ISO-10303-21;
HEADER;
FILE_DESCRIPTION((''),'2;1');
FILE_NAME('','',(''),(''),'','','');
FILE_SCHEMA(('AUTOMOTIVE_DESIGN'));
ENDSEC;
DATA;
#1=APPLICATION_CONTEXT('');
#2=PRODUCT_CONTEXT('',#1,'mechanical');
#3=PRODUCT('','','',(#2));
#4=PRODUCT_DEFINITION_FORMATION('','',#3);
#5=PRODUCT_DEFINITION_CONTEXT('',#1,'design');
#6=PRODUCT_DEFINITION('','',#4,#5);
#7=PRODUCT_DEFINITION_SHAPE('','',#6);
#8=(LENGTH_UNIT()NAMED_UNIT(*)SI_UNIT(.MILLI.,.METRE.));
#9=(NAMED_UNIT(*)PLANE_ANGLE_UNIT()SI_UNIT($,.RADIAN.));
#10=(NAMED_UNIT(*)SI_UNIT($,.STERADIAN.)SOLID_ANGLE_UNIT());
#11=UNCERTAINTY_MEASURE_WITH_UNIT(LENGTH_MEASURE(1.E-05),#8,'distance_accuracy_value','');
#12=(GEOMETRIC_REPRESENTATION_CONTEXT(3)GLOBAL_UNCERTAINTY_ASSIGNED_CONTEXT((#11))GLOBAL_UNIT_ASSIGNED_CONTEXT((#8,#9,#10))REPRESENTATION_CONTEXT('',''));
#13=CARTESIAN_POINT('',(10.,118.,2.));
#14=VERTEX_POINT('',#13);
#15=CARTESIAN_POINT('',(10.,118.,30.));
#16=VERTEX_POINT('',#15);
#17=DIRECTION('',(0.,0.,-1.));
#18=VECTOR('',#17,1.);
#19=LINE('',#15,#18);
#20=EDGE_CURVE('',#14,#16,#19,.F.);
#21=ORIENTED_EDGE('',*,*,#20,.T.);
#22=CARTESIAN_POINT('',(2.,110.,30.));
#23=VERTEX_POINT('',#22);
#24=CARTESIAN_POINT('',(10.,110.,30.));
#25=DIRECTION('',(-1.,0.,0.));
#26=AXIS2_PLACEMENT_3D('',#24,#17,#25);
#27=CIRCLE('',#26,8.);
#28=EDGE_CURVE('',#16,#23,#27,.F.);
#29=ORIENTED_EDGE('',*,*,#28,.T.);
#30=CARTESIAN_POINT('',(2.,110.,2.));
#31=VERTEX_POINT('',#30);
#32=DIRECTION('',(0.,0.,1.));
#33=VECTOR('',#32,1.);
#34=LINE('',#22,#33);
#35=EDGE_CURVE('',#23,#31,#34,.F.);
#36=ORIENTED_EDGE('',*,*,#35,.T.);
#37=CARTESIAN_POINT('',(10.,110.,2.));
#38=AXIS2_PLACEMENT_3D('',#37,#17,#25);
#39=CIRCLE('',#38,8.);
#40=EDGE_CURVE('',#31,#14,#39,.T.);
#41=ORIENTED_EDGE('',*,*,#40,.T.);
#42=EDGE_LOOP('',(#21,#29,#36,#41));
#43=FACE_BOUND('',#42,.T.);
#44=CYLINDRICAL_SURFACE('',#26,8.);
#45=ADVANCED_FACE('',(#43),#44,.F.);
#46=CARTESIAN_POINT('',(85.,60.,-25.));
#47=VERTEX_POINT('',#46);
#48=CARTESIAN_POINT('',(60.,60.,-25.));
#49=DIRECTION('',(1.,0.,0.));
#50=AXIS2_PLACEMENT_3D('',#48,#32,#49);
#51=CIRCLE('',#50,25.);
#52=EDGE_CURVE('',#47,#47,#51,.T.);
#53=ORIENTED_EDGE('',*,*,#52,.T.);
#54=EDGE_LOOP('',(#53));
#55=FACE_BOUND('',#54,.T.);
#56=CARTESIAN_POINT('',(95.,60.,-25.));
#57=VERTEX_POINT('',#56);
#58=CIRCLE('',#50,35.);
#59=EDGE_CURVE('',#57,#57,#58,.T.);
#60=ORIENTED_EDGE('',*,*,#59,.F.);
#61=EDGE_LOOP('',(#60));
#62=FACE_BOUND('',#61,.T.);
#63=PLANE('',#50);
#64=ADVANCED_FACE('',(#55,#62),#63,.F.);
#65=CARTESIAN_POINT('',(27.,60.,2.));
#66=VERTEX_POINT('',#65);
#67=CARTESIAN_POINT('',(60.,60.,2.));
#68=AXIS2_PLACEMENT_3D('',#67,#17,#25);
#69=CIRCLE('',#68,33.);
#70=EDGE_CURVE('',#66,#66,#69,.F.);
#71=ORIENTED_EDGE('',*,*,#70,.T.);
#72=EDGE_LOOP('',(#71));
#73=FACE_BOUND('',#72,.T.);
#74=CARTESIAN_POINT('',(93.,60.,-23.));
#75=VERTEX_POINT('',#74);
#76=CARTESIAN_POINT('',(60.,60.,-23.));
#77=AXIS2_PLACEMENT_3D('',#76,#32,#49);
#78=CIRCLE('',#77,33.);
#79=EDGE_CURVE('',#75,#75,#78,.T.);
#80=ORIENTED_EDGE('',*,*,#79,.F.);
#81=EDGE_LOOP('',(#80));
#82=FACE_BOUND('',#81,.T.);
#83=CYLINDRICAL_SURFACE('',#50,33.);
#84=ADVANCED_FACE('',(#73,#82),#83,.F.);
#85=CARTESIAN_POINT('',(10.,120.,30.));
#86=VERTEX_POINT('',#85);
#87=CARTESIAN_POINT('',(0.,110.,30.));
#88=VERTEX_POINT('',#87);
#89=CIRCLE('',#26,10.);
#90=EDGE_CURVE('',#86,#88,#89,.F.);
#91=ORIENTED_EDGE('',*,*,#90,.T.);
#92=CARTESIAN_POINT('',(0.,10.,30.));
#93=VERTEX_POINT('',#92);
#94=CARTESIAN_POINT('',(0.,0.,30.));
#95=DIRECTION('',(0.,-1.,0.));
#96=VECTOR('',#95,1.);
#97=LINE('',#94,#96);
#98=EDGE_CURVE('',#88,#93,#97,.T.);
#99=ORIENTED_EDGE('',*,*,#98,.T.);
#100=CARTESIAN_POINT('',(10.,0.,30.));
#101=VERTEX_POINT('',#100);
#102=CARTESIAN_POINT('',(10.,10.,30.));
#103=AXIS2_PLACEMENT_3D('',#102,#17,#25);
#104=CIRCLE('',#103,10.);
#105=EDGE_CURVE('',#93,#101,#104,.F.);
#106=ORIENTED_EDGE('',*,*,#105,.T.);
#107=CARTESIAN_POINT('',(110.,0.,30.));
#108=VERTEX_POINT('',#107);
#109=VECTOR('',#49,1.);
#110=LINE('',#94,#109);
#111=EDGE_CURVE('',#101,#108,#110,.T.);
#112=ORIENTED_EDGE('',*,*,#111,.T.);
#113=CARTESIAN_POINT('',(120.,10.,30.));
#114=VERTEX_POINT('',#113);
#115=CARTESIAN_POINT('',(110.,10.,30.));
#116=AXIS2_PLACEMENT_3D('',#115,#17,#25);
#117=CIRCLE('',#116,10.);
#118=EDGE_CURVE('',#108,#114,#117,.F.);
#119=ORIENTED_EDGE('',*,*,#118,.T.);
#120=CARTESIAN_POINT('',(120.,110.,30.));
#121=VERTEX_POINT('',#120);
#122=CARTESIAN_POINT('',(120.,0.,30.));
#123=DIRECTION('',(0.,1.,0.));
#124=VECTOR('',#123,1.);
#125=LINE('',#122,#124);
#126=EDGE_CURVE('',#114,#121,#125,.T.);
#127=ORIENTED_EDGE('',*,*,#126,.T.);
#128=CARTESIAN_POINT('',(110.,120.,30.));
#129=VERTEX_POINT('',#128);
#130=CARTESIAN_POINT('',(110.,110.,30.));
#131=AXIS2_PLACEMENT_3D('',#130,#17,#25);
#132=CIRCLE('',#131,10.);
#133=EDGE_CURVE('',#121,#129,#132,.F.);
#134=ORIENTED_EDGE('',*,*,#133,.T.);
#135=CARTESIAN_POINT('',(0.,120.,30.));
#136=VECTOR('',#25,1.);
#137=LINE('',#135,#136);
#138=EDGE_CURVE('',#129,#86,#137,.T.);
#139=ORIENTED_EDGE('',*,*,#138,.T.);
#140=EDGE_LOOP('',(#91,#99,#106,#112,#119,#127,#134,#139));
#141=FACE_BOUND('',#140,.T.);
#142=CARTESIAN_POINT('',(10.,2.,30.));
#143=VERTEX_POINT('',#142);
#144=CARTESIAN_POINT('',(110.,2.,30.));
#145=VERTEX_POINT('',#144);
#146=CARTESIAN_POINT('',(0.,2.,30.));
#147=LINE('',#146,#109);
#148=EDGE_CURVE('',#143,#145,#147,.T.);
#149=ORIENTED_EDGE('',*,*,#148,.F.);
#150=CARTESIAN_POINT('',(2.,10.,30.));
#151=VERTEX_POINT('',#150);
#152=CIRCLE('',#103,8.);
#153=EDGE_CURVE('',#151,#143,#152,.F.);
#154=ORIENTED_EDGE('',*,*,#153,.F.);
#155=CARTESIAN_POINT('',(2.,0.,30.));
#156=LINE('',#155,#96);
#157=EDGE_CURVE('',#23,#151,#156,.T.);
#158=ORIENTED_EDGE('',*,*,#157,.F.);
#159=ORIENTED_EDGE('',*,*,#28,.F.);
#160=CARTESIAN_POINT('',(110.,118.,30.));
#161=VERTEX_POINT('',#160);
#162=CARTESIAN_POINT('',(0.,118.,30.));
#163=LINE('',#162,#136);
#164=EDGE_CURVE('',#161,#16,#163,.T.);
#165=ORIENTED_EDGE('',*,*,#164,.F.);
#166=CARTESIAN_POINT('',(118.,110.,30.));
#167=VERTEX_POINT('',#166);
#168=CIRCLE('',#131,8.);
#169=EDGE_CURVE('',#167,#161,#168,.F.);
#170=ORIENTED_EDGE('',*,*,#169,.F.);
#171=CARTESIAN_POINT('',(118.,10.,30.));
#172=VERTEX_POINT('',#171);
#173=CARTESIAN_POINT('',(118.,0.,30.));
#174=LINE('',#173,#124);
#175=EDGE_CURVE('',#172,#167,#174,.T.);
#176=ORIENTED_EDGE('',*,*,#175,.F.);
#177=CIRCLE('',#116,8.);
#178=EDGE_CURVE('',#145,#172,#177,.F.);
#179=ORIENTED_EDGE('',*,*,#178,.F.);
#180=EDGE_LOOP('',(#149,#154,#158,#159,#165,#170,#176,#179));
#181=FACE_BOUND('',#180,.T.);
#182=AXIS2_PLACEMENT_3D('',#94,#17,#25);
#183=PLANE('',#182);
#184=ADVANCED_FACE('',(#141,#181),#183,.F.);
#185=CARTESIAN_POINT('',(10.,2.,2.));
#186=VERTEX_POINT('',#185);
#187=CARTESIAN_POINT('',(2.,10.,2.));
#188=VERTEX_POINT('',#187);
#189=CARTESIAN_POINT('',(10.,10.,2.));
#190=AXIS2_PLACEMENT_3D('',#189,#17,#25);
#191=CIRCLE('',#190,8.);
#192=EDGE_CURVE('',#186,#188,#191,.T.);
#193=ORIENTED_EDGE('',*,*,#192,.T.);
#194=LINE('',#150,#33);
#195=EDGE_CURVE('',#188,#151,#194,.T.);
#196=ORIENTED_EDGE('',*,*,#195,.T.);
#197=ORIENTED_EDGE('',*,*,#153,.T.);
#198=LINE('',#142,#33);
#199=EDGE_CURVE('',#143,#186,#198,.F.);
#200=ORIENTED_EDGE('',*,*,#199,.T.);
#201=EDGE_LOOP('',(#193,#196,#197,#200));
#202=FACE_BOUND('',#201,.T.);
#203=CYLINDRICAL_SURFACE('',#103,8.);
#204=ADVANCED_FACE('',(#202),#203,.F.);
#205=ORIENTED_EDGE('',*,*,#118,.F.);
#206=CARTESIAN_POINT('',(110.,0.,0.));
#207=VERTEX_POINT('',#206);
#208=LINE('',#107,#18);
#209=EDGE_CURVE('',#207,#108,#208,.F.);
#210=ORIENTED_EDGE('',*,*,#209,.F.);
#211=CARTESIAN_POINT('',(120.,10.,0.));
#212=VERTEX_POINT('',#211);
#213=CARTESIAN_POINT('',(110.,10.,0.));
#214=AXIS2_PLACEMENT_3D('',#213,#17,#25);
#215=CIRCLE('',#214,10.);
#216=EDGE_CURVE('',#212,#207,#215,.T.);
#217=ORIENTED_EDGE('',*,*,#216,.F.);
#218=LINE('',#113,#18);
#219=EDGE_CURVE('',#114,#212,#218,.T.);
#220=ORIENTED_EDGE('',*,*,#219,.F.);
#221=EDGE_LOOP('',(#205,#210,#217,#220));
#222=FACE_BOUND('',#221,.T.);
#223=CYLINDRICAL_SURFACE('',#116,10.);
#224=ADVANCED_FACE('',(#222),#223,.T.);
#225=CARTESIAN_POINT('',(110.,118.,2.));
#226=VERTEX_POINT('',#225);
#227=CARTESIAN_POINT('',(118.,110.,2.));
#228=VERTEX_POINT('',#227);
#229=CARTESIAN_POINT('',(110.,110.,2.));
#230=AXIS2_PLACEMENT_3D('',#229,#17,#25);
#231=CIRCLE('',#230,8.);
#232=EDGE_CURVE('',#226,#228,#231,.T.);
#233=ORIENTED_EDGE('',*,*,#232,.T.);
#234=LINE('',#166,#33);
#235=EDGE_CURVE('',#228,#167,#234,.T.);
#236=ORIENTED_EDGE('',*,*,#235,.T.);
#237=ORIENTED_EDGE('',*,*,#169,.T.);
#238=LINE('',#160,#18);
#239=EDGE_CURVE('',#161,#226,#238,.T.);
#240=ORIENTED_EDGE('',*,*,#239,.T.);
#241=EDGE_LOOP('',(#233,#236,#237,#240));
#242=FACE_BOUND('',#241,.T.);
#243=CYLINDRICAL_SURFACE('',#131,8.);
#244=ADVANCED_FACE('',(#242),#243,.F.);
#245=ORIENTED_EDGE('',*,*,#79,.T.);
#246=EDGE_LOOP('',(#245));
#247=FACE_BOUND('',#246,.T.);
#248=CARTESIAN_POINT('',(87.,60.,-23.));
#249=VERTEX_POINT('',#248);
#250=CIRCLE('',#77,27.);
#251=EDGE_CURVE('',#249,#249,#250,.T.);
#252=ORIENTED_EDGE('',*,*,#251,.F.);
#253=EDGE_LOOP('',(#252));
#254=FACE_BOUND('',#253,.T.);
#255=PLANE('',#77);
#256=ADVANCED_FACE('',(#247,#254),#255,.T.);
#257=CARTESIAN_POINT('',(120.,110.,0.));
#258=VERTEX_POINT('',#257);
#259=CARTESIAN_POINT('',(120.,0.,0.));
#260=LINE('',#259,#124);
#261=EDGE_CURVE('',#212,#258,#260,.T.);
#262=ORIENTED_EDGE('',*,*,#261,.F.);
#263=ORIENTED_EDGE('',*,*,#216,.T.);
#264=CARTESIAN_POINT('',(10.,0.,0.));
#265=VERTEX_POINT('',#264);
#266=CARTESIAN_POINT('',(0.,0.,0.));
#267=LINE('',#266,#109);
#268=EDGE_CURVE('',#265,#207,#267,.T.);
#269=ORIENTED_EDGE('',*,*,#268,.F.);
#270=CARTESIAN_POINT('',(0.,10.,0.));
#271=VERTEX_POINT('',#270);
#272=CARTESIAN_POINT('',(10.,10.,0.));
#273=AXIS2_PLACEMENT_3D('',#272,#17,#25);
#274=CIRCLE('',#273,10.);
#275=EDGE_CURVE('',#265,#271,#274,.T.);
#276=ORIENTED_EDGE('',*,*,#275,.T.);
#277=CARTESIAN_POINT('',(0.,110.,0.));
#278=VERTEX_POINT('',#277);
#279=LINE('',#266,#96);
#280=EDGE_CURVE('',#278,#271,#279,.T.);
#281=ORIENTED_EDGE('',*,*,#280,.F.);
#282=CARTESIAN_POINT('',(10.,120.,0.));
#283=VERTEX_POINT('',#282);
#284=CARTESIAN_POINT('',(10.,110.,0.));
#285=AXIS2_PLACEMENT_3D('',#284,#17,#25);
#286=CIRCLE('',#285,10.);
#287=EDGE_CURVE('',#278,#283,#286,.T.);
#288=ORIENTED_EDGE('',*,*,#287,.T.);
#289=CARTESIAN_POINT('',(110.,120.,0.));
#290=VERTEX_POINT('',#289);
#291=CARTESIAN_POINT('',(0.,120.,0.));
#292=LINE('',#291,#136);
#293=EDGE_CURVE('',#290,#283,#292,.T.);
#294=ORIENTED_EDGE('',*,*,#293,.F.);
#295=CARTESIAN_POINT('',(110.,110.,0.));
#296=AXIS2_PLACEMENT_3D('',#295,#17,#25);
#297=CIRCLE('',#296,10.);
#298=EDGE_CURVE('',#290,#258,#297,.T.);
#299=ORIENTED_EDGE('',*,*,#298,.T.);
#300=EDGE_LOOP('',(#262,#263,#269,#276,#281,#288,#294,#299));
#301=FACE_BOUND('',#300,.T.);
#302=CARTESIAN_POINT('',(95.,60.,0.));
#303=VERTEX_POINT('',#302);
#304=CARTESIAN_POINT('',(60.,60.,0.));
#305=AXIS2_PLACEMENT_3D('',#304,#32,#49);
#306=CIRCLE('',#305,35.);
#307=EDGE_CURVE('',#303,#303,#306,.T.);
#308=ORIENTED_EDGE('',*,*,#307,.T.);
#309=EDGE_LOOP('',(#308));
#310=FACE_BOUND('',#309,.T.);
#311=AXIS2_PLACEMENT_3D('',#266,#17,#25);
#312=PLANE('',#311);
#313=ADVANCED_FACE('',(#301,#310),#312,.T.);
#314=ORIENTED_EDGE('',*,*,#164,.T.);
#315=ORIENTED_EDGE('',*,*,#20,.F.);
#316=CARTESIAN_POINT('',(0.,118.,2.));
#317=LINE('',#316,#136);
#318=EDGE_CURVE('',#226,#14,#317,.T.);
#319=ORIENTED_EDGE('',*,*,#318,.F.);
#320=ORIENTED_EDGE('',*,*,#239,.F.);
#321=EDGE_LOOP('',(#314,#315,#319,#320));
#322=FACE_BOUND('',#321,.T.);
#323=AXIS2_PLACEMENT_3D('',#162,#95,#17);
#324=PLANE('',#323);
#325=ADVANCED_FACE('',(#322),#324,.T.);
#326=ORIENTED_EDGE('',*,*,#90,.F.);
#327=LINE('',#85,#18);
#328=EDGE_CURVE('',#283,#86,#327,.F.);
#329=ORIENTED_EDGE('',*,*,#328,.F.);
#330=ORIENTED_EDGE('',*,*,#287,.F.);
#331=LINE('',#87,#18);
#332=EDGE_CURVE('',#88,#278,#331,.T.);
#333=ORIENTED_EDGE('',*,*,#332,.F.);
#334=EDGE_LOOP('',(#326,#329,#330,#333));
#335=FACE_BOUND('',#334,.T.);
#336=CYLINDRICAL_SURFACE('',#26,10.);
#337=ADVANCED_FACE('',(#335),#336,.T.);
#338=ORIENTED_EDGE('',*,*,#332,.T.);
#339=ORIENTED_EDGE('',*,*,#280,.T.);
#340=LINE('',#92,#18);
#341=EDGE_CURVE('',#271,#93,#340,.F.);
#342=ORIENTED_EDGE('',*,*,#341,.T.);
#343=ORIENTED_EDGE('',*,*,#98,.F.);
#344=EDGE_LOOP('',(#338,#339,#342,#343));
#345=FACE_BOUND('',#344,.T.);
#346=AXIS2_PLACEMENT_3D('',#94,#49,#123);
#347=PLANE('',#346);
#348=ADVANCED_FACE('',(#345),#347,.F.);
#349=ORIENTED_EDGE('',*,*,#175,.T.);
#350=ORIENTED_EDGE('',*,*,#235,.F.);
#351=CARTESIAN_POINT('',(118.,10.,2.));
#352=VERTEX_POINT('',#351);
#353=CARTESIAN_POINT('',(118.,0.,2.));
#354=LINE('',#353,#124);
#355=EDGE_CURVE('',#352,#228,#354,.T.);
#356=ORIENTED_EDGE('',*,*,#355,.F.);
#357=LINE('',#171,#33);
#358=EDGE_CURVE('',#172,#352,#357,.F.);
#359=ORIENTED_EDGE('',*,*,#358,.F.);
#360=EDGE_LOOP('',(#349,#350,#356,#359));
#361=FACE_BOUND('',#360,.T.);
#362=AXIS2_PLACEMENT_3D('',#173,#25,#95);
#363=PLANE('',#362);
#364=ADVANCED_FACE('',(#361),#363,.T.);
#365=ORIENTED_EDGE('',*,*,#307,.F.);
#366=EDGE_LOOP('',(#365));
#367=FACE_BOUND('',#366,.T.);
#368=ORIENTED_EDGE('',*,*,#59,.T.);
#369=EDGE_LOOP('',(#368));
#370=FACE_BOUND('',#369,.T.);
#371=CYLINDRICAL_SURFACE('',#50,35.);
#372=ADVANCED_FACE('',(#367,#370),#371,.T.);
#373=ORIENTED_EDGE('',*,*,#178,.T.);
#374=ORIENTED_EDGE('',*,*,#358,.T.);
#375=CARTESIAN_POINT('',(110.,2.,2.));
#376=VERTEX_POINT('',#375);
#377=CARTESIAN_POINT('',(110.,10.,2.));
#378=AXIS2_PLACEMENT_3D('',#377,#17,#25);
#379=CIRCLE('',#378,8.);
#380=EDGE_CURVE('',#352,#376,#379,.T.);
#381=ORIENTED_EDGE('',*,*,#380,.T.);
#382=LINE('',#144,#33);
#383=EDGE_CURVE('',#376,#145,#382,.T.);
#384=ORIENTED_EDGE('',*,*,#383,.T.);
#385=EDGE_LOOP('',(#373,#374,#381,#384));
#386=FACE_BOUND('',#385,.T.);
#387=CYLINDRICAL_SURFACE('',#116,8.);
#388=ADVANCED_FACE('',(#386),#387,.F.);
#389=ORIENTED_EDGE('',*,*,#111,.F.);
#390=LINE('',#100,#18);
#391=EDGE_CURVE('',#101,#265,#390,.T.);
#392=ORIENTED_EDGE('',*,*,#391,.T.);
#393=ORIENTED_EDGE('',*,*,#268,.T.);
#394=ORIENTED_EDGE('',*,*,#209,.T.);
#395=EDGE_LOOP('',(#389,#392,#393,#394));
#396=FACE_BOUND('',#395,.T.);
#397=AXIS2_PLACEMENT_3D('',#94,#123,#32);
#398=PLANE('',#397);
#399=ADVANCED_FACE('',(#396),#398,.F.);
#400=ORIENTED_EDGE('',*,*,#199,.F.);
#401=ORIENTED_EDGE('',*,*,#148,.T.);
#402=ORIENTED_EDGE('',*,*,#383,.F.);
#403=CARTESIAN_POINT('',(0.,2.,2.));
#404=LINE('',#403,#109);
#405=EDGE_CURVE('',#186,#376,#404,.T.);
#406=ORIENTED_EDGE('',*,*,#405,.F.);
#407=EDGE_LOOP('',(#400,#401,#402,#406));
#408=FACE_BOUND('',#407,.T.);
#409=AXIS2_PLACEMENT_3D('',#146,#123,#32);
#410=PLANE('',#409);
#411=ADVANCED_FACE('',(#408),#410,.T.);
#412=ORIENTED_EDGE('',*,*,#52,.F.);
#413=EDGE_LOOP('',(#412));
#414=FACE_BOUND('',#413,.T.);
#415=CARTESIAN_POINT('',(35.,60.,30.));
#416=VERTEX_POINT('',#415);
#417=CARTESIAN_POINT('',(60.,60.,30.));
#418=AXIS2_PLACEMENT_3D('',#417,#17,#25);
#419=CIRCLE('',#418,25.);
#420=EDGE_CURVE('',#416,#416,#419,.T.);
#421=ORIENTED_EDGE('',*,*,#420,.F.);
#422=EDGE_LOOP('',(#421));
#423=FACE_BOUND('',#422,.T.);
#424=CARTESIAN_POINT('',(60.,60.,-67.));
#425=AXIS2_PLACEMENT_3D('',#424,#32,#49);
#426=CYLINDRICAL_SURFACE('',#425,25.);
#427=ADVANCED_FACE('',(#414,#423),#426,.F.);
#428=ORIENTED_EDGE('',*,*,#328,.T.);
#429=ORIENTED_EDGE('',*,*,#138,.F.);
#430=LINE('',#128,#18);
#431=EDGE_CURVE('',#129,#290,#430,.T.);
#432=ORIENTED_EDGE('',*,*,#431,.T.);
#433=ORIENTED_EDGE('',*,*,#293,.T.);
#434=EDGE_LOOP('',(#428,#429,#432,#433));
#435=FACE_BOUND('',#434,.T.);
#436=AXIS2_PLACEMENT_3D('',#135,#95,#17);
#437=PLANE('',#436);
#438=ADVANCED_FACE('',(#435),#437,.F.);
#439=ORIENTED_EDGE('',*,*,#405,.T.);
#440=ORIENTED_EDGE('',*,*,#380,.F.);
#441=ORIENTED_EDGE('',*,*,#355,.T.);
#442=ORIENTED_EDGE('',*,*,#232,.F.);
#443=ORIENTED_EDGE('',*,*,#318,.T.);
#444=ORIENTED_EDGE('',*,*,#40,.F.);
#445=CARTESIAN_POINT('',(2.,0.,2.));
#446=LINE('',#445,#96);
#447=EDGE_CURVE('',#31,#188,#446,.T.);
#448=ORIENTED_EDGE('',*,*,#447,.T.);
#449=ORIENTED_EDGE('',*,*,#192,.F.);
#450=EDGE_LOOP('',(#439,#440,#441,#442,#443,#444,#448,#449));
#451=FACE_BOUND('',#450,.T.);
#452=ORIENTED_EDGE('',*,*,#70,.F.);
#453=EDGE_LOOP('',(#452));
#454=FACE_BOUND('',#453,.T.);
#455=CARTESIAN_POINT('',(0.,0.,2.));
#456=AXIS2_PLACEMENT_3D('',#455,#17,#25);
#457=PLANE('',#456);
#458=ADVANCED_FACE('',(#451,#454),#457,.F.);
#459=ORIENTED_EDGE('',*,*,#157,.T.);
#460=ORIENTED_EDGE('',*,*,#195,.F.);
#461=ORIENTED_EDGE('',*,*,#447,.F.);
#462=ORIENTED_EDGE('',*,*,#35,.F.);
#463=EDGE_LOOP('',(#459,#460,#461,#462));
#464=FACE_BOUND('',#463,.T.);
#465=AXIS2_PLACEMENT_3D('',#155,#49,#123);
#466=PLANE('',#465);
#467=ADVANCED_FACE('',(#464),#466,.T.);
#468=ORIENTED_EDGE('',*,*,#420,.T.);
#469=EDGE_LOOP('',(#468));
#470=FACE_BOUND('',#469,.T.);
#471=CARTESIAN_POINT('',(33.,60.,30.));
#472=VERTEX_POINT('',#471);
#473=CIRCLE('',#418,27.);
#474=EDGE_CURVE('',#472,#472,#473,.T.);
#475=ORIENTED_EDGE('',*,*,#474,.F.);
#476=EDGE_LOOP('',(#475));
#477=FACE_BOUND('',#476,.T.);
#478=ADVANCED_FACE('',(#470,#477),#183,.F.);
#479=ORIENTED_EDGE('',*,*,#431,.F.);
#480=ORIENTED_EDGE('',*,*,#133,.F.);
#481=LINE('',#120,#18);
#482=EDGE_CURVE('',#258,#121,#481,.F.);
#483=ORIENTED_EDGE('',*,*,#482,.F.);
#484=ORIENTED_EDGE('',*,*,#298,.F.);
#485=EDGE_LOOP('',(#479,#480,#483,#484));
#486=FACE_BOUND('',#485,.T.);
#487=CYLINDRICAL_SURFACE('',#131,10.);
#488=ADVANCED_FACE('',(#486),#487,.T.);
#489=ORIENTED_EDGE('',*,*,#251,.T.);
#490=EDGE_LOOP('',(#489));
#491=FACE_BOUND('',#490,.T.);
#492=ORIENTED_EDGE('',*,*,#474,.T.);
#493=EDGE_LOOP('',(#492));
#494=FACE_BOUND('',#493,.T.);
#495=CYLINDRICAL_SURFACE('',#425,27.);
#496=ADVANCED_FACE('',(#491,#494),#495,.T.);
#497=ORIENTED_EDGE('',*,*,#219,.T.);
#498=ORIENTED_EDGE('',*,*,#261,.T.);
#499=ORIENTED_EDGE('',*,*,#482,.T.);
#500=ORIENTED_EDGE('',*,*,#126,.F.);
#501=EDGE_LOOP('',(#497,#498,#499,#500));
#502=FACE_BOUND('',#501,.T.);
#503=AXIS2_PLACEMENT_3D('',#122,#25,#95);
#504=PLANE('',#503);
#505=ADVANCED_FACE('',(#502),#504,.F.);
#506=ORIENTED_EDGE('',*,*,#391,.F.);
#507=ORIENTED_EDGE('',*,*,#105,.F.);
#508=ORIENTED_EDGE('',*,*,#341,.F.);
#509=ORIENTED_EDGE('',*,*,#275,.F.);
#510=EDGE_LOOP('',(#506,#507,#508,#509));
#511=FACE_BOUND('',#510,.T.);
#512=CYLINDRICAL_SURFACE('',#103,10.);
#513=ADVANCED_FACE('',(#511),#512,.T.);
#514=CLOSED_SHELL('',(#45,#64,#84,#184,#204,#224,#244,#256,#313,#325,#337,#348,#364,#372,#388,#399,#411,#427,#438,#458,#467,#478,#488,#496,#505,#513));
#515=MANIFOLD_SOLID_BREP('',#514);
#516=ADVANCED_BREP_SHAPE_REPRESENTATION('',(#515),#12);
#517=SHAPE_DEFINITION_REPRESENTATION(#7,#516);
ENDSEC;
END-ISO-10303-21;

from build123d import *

# Parameters (mm, degrees)
SKETCH1_W               = 120
SKETCH1_H               = 120
BOSS_EXTRUDE3_DEPTH     = 30
SKETCH5_R               = 35
BOSS_EXTRUDE5_DEPTH     = 25
CUT_EXTRUDE3_DEPTH      = 75
CUT_EXTRUDE3_DEPTH_BACK = 67
SKETCH7_R               = 25
FILLET3_R               = 10
SHELL1_T                = -2


with BuildPart() as part:
    # Sketch1 → Boss-Extrude3 (new body)
    with BuildSketch(Plane.XY):
        with Locations((60, 60)):
            Rectangle(SKETCH1_W, SKETCH1_H)
    extrude(amount=BOSS_EXTRUDE3_DEPTH)

    # Sketch5 → Boss-Extrude5 (add)
    with BuildSketch(Plane.XY):
        with Locations((60, 60)):
            Circle(SKETCH5_R)
    extrude(amount=-BOSS_EXTRUDE5_DEPTH)

    # Sketch7 → Cut-Extrude3 (cut, two sides: drawn at the far end of the back side and taken through both)
    with BuildSketch(Plane.XY.offset(-CUT_EXTRUDE3_DEPTH_BACK)):
        with Locations((60, 60)):
            Circle(SKETCH7_R)
    extrude(amount=CUT_EXTRUDE3_DEPTH + CUT_EXTRUDE3_DEPTH_BACK, mode=Mode.SUBTRACT)

    # Fillet3
    fillet3_edges = [part.edges().sort_by_distance(p)[0] for p in [
        (0, 120, 15),
        (120, 120, 15),
        (120, 0, 15),
        (0, 0, 15),
    ]]
    fillet(fillet3_edges, radius=FILLET3_R)

    # Shell1
    shell1_openings = [part.faces().sort_by_distance(p)[0] for p in [
        (60, 1.697056275, 30),
    ]]
    offset(amount=SHELL1_T, openings=shell1_openings, kind=Kind.INTERSECTION)


solid = part.part
